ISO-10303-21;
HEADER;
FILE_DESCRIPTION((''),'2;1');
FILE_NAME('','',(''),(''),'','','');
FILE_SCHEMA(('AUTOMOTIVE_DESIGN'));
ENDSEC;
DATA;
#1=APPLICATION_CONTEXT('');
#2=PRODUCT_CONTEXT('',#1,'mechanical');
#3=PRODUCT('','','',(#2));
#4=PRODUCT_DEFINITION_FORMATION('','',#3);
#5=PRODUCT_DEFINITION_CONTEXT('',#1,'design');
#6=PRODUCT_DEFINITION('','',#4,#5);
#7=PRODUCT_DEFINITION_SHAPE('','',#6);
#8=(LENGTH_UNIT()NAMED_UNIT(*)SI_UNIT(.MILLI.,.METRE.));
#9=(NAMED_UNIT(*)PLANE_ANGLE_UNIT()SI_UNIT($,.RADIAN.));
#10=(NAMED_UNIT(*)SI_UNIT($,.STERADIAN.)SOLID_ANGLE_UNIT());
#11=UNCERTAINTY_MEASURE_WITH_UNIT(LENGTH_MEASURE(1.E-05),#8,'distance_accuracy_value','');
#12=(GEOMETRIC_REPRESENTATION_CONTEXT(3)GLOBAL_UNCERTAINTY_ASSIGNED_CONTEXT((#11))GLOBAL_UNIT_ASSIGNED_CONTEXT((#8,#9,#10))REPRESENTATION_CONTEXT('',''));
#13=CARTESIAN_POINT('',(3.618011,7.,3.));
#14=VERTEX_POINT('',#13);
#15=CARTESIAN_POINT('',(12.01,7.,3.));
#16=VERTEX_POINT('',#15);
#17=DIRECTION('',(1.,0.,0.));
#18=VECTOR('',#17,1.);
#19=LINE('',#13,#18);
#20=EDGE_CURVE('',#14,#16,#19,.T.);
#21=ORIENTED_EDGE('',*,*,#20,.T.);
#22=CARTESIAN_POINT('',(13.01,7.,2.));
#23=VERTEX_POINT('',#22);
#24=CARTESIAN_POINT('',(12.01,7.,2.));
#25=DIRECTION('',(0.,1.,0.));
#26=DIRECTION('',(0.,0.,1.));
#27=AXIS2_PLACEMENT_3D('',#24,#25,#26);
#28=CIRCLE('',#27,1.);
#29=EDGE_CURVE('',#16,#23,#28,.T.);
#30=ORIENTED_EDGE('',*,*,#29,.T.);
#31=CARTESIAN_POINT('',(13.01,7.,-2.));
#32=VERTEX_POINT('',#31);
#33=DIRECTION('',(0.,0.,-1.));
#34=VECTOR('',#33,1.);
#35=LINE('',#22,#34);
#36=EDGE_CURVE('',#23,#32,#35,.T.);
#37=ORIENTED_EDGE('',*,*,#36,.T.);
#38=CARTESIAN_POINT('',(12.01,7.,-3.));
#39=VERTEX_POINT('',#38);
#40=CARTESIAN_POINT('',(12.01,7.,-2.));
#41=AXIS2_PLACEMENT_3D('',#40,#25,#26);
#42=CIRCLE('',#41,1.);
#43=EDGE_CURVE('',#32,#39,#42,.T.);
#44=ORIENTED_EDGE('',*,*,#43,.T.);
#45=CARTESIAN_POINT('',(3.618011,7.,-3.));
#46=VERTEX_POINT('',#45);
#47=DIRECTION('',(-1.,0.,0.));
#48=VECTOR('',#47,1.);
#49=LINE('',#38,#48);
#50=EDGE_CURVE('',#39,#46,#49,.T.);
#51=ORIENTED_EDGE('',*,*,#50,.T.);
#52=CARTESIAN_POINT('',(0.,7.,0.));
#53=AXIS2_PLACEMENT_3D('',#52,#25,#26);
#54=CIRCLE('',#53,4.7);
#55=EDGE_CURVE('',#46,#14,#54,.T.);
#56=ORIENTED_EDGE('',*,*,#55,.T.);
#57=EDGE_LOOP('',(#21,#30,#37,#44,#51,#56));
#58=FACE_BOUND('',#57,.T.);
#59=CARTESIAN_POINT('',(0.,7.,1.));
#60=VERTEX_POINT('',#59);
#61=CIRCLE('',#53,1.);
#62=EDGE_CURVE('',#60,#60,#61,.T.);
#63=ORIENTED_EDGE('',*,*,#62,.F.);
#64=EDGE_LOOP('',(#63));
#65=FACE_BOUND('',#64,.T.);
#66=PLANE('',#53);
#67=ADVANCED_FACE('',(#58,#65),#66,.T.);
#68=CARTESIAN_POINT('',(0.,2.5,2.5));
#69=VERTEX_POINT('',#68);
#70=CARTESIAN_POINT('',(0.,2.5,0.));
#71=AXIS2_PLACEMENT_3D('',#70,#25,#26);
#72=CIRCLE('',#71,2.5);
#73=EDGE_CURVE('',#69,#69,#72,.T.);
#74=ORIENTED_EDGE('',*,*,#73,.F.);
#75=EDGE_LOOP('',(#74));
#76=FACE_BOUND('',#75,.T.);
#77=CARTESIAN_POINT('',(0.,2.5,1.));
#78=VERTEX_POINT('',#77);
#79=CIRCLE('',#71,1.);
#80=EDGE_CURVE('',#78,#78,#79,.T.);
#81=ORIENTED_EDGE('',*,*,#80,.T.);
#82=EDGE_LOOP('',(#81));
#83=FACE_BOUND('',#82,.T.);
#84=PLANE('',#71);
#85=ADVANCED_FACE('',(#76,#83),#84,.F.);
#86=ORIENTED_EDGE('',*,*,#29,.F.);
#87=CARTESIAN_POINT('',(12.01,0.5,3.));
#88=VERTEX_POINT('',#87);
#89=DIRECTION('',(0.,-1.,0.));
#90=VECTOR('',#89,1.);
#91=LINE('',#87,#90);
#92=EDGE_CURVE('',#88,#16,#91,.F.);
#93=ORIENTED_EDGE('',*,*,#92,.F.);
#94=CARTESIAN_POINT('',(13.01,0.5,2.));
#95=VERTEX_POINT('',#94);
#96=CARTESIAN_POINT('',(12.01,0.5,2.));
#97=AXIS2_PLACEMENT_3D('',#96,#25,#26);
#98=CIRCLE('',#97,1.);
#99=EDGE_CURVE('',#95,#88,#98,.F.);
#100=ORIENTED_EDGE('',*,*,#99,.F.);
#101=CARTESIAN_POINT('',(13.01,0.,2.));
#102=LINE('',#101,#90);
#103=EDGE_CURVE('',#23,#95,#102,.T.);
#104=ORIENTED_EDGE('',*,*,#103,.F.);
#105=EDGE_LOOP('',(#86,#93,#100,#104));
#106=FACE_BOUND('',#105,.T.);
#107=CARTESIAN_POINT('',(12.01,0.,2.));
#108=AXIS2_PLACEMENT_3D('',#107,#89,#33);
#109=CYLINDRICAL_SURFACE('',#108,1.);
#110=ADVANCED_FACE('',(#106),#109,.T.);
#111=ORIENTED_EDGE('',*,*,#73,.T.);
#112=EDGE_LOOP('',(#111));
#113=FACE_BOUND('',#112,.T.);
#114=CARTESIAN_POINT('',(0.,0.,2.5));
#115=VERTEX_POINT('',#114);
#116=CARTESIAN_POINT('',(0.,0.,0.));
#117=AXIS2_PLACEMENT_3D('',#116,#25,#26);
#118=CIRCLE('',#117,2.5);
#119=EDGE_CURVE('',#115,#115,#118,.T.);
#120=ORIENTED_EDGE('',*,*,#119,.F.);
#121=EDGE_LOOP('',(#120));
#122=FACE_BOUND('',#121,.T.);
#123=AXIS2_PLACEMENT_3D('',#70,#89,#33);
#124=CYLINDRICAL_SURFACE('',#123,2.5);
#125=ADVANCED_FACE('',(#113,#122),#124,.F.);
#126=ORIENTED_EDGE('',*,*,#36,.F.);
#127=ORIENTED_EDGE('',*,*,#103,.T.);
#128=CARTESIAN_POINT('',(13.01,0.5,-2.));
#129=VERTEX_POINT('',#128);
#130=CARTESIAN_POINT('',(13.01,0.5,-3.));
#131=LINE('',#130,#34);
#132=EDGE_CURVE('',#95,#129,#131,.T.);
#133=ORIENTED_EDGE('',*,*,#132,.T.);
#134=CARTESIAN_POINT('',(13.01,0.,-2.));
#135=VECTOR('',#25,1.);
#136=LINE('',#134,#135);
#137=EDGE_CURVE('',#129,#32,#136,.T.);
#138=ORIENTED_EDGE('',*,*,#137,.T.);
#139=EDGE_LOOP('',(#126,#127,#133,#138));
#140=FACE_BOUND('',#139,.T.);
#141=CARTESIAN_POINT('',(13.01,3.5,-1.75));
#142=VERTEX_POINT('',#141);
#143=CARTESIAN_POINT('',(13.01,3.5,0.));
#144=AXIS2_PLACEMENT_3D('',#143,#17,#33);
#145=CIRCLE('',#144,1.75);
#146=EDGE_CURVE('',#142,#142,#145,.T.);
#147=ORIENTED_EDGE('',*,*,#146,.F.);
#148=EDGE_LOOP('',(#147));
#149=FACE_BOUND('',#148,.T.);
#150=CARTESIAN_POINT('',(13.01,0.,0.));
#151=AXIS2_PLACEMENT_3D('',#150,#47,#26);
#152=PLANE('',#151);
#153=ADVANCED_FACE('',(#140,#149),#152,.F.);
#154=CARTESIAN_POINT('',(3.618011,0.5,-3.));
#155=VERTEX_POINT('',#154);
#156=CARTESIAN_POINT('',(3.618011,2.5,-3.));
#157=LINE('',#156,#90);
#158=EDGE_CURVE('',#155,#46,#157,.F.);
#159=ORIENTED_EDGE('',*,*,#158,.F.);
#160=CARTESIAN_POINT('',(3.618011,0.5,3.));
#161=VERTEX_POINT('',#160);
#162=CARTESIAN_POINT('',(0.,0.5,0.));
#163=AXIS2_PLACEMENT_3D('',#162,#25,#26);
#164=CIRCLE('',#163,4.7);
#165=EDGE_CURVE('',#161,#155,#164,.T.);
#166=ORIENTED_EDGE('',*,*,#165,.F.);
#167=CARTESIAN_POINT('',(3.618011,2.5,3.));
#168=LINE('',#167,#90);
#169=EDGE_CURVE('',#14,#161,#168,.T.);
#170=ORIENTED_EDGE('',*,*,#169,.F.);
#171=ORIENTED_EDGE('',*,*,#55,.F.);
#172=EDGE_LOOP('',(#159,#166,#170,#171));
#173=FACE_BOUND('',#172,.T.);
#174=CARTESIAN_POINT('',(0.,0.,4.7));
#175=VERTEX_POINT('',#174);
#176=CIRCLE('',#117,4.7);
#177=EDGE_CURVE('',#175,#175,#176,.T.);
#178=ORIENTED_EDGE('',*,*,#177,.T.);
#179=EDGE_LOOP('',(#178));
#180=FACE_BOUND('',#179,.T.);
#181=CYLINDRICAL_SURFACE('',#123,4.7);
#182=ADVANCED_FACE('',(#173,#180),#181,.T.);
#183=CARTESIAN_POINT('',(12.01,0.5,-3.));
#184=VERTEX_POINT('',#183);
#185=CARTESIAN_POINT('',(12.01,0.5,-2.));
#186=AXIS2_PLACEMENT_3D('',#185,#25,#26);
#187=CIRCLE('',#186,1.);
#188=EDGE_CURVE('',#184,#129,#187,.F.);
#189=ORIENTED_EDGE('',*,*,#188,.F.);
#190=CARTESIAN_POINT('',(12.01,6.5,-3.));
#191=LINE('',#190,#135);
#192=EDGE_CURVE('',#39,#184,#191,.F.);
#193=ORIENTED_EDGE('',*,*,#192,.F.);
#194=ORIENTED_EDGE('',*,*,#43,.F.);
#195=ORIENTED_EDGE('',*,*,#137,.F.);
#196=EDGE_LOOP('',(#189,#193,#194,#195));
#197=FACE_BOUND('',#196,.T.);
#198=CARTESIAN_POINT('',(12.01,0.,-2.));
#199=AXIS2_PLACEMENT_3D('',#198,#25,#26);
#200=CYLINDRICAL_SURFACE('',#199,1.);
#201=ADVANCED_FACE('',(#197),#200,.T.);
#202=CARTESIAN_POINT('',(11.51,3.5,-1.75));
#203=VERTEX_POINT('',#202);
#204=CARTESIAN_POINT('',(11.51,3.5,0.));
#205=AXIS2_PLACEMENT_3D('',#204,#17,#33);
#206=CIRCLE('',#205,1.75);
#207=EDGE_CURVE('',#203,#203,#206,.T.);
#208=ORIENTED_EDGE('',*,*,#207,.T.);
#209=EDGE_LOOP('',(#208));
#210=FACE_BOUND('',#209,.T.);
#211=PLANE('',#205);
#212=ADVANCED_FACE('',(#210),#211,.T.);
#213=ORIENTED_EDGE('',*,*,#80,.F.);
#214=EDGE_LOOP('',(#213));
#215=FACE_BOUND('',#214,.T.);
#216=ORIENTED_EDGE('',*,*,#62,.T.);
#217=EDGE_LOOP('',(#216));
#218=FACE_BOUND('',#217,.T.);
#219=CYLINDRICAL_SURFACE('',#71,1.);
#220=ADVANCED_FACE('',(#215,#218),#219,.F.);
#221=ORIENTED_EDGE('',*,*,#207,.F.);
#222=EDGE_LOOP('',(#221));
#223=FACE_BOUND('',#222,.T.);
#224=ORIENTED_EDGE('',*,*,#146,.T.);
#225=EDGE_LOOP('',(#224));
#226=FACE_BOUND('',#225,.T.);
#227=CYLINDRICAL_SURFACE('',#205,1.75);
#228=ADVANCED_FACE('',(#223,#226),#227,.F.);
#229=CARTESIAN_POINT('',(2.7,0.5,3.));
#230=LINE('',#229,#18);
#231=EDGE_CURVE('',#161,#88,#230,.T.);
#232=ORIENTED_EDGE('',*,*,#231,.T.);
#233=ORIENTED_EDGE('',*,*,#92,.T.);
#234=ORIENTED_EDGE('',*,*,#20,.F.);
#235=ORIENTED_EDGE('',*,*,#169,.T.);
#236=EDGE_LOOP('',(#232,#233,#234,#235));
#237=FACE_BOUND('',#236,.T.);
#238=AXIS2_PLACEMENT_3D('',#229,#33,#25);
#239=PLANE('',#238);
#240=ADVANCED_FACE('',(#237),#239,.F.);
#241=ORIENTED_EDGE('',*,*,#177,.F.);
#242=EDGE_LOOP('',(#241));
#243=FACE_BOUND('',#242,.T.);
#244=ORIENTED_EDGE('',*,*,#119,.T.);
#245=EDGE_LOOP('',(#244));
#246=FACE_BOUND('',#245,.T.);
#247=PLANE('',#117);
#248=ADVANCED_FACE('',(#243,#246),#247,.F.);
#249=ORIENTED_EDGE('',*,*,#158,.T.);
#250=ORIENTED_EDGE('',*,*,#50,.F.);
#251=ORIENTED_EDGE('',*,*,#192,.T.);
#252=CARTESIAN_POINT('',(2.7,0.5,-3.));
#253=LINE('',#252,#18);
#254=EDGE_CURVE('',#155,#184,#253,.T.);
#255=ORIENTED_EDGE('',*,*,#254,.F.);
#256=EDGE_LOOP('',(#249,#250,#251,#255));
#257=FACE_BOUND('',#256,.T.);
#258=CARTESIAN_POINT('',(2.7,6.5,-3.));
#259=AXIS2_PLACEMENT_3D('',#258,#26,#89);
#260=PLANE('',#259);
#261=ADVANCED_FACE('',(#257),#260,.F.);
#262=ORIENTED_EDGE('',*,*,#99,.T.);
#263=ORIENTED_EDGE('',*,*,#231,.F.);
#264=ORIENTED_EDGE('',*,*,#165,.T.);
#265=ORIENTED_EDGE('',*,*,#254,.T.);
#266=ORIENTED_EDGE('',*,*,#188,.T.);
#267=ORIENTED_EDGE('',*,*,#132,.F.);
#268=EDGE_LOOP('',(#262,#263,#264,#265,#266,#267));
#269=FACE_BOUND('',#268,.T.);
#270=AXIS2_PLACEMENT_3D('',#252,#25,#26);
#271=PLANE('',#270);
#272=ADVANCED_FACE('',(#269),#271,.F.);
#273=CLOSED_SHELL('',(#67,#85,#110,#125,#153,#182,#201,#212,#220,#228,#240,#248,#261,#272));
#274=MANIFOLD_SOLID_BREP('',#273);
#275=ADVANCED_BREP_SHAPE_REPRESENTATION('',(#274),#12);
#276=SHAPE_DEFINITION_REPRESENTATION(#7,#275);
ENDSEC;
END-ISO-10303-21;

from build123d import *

# Parameters (mm, degrees)
SKETCH1_R           = 4.7
SKETCH1_R_2         = 2.5
BOSS_EXTRUDE1_DEPTH = 2.5
SKETCH2_R           = 4.7
BOSS_EXTRUDE2_DEPTH = 4.5
SKETCH3_R           = 1
CUT_EXTRUDE1_DEPTH  = 4.5
SKETCH6_W           = 6
SKETCH6_H           = 6
BOSS_EXTRUDE3_DEPTH = 8.31
SKETCH7_W           = 6
SKETCH7_H           = 6
BOSS_EXTRUDE4_DEPTH = 2
FILLET1_R           = 1
SKETCH8_R           = 1.75
CUT_EXTRUDE2_DEPTH  = 1.5
BOSS_EXTRUDE5_DEPTH = 0.5


with BuildPart() as part:
    # Sketch1 → Boss-Extrude1 (new body)
    with BuildSketch(Plane(origin=(0, 0, 0), x_dir=(1, 0, 0), z_dir=(0, 1, 0))):
        with Locations(Location((0, 0, 0), (0, 0, 270))):
            Circle(SKETCH1_R)
        with Locations(Location((0, 0, 0), (0, 0, 270))):
            Circle(SKETCH1_R_2, mode=Mode.SUBTRACT)
    extrude(amount=BOSS_EXTRUDE1_DEPTH)

    # Sketch2 → Boss-Extrude2 (add)
    with BuildSketch(Plane(origin=(0, 2.5, 0), x_dir=(1, 0, 0), z_dir=(0, 1, 0))):
        with Locations(Location((0, 0, 0), (0, 0, 270))):
            Circle(SKETCH2_R)
    extrude(amount=BOSS_EXTRUDE2_DEPTH)

    # Sketch3 → Cut-Extrude1 (cut)
    with BuildSketch(Plane(origin=(0, 7, 0), x_dir=(1, 0, 0), z_dir=(0, 1, 0))):
        with Locations(Location((0, 0, 0), (0, 0, 270))):
            Circle(SKETCH3_R)
    extrude(amount=-CUT_EXTRUDE1_DEPTH, mode=Mode.SUBTRACT)



with BuildPart() as body_2:
    # Sketch6 → Boss-Extrude3 (new body)
    with BuildSketch(Plane(origin=(4.7, 0, 0), x_dir=(0, 0, -1), z_dir=(1, 0, 0))):
        with Locations((0, 3.5)):
            Rectangle(SKETCH6_W, SKETCH6_H)
    extrude(amount=BOSS_EXTRUDE3_DEPTH)


with BuildPart() as part_1:
    add(part.part)

    add(body_2.part)  # Boss-Extrude4 merges body 2
    # Sketch7 → Boss-Extrude4 (add)
    with BuildSketch(Plane.ZY.offset(-4.7)):
        with Locations((0, 3.5)):
            Rectangle(SKETCH7_W, SKETCH7_H)
    extrude(amount=BOSS_EXTRUDE4_DEPTH)

    # Fillet1
    fillet1_edges = [part_1.edges().sort_by_distance(p)[0] for p in [
        (13.01, 3.5, -3),
        (13.01, 3.5, 3),
    ]]
    fillet(fillet1_edges, radius=FILLET1_R)

    # Sketch8 → Cut-Extrude2 (cut)
    with BuildSketch(Plane(origin=(13.01, 0, 0), x_dir=(0, 0, -1), z_dir=(1, 0, 0))):
        with Locations((0, 3.5)):
            Circle(SKETCH8_R)
    extrude(amount=-CUT_EXTRUDE2_DEPTH, mode=Mode.SUBTRACT)

    # Sketch9 → Boss-Extrude5 (add)
    with BuildSketch(Plane(origin=(0, 6.5, 0), x_dir=(1, 0, 0), z_dir=(0, 1, 0))):
        with BuildLine():
            Line((13.01, -2), (13.01, 2))
            ThreePointArc((13.01, 2), (12.717106781, 2.707106781), (12.01, 3))
            Line((12.01, 3), (3.618010503, 3))
            ThreePointArc((3.618010503, 3), (4.7, 0), (3.618010503, -3))
            Line((3.618010503, -3), (12.01, -3))
            ThreePointArc((12.01, -3), (12.717106781, -2.707106781), (13.01, -2))
        make_face()
    extrude(amount=BOSS_EXTRUDE5_DEPTH)


solid = part_1.part
